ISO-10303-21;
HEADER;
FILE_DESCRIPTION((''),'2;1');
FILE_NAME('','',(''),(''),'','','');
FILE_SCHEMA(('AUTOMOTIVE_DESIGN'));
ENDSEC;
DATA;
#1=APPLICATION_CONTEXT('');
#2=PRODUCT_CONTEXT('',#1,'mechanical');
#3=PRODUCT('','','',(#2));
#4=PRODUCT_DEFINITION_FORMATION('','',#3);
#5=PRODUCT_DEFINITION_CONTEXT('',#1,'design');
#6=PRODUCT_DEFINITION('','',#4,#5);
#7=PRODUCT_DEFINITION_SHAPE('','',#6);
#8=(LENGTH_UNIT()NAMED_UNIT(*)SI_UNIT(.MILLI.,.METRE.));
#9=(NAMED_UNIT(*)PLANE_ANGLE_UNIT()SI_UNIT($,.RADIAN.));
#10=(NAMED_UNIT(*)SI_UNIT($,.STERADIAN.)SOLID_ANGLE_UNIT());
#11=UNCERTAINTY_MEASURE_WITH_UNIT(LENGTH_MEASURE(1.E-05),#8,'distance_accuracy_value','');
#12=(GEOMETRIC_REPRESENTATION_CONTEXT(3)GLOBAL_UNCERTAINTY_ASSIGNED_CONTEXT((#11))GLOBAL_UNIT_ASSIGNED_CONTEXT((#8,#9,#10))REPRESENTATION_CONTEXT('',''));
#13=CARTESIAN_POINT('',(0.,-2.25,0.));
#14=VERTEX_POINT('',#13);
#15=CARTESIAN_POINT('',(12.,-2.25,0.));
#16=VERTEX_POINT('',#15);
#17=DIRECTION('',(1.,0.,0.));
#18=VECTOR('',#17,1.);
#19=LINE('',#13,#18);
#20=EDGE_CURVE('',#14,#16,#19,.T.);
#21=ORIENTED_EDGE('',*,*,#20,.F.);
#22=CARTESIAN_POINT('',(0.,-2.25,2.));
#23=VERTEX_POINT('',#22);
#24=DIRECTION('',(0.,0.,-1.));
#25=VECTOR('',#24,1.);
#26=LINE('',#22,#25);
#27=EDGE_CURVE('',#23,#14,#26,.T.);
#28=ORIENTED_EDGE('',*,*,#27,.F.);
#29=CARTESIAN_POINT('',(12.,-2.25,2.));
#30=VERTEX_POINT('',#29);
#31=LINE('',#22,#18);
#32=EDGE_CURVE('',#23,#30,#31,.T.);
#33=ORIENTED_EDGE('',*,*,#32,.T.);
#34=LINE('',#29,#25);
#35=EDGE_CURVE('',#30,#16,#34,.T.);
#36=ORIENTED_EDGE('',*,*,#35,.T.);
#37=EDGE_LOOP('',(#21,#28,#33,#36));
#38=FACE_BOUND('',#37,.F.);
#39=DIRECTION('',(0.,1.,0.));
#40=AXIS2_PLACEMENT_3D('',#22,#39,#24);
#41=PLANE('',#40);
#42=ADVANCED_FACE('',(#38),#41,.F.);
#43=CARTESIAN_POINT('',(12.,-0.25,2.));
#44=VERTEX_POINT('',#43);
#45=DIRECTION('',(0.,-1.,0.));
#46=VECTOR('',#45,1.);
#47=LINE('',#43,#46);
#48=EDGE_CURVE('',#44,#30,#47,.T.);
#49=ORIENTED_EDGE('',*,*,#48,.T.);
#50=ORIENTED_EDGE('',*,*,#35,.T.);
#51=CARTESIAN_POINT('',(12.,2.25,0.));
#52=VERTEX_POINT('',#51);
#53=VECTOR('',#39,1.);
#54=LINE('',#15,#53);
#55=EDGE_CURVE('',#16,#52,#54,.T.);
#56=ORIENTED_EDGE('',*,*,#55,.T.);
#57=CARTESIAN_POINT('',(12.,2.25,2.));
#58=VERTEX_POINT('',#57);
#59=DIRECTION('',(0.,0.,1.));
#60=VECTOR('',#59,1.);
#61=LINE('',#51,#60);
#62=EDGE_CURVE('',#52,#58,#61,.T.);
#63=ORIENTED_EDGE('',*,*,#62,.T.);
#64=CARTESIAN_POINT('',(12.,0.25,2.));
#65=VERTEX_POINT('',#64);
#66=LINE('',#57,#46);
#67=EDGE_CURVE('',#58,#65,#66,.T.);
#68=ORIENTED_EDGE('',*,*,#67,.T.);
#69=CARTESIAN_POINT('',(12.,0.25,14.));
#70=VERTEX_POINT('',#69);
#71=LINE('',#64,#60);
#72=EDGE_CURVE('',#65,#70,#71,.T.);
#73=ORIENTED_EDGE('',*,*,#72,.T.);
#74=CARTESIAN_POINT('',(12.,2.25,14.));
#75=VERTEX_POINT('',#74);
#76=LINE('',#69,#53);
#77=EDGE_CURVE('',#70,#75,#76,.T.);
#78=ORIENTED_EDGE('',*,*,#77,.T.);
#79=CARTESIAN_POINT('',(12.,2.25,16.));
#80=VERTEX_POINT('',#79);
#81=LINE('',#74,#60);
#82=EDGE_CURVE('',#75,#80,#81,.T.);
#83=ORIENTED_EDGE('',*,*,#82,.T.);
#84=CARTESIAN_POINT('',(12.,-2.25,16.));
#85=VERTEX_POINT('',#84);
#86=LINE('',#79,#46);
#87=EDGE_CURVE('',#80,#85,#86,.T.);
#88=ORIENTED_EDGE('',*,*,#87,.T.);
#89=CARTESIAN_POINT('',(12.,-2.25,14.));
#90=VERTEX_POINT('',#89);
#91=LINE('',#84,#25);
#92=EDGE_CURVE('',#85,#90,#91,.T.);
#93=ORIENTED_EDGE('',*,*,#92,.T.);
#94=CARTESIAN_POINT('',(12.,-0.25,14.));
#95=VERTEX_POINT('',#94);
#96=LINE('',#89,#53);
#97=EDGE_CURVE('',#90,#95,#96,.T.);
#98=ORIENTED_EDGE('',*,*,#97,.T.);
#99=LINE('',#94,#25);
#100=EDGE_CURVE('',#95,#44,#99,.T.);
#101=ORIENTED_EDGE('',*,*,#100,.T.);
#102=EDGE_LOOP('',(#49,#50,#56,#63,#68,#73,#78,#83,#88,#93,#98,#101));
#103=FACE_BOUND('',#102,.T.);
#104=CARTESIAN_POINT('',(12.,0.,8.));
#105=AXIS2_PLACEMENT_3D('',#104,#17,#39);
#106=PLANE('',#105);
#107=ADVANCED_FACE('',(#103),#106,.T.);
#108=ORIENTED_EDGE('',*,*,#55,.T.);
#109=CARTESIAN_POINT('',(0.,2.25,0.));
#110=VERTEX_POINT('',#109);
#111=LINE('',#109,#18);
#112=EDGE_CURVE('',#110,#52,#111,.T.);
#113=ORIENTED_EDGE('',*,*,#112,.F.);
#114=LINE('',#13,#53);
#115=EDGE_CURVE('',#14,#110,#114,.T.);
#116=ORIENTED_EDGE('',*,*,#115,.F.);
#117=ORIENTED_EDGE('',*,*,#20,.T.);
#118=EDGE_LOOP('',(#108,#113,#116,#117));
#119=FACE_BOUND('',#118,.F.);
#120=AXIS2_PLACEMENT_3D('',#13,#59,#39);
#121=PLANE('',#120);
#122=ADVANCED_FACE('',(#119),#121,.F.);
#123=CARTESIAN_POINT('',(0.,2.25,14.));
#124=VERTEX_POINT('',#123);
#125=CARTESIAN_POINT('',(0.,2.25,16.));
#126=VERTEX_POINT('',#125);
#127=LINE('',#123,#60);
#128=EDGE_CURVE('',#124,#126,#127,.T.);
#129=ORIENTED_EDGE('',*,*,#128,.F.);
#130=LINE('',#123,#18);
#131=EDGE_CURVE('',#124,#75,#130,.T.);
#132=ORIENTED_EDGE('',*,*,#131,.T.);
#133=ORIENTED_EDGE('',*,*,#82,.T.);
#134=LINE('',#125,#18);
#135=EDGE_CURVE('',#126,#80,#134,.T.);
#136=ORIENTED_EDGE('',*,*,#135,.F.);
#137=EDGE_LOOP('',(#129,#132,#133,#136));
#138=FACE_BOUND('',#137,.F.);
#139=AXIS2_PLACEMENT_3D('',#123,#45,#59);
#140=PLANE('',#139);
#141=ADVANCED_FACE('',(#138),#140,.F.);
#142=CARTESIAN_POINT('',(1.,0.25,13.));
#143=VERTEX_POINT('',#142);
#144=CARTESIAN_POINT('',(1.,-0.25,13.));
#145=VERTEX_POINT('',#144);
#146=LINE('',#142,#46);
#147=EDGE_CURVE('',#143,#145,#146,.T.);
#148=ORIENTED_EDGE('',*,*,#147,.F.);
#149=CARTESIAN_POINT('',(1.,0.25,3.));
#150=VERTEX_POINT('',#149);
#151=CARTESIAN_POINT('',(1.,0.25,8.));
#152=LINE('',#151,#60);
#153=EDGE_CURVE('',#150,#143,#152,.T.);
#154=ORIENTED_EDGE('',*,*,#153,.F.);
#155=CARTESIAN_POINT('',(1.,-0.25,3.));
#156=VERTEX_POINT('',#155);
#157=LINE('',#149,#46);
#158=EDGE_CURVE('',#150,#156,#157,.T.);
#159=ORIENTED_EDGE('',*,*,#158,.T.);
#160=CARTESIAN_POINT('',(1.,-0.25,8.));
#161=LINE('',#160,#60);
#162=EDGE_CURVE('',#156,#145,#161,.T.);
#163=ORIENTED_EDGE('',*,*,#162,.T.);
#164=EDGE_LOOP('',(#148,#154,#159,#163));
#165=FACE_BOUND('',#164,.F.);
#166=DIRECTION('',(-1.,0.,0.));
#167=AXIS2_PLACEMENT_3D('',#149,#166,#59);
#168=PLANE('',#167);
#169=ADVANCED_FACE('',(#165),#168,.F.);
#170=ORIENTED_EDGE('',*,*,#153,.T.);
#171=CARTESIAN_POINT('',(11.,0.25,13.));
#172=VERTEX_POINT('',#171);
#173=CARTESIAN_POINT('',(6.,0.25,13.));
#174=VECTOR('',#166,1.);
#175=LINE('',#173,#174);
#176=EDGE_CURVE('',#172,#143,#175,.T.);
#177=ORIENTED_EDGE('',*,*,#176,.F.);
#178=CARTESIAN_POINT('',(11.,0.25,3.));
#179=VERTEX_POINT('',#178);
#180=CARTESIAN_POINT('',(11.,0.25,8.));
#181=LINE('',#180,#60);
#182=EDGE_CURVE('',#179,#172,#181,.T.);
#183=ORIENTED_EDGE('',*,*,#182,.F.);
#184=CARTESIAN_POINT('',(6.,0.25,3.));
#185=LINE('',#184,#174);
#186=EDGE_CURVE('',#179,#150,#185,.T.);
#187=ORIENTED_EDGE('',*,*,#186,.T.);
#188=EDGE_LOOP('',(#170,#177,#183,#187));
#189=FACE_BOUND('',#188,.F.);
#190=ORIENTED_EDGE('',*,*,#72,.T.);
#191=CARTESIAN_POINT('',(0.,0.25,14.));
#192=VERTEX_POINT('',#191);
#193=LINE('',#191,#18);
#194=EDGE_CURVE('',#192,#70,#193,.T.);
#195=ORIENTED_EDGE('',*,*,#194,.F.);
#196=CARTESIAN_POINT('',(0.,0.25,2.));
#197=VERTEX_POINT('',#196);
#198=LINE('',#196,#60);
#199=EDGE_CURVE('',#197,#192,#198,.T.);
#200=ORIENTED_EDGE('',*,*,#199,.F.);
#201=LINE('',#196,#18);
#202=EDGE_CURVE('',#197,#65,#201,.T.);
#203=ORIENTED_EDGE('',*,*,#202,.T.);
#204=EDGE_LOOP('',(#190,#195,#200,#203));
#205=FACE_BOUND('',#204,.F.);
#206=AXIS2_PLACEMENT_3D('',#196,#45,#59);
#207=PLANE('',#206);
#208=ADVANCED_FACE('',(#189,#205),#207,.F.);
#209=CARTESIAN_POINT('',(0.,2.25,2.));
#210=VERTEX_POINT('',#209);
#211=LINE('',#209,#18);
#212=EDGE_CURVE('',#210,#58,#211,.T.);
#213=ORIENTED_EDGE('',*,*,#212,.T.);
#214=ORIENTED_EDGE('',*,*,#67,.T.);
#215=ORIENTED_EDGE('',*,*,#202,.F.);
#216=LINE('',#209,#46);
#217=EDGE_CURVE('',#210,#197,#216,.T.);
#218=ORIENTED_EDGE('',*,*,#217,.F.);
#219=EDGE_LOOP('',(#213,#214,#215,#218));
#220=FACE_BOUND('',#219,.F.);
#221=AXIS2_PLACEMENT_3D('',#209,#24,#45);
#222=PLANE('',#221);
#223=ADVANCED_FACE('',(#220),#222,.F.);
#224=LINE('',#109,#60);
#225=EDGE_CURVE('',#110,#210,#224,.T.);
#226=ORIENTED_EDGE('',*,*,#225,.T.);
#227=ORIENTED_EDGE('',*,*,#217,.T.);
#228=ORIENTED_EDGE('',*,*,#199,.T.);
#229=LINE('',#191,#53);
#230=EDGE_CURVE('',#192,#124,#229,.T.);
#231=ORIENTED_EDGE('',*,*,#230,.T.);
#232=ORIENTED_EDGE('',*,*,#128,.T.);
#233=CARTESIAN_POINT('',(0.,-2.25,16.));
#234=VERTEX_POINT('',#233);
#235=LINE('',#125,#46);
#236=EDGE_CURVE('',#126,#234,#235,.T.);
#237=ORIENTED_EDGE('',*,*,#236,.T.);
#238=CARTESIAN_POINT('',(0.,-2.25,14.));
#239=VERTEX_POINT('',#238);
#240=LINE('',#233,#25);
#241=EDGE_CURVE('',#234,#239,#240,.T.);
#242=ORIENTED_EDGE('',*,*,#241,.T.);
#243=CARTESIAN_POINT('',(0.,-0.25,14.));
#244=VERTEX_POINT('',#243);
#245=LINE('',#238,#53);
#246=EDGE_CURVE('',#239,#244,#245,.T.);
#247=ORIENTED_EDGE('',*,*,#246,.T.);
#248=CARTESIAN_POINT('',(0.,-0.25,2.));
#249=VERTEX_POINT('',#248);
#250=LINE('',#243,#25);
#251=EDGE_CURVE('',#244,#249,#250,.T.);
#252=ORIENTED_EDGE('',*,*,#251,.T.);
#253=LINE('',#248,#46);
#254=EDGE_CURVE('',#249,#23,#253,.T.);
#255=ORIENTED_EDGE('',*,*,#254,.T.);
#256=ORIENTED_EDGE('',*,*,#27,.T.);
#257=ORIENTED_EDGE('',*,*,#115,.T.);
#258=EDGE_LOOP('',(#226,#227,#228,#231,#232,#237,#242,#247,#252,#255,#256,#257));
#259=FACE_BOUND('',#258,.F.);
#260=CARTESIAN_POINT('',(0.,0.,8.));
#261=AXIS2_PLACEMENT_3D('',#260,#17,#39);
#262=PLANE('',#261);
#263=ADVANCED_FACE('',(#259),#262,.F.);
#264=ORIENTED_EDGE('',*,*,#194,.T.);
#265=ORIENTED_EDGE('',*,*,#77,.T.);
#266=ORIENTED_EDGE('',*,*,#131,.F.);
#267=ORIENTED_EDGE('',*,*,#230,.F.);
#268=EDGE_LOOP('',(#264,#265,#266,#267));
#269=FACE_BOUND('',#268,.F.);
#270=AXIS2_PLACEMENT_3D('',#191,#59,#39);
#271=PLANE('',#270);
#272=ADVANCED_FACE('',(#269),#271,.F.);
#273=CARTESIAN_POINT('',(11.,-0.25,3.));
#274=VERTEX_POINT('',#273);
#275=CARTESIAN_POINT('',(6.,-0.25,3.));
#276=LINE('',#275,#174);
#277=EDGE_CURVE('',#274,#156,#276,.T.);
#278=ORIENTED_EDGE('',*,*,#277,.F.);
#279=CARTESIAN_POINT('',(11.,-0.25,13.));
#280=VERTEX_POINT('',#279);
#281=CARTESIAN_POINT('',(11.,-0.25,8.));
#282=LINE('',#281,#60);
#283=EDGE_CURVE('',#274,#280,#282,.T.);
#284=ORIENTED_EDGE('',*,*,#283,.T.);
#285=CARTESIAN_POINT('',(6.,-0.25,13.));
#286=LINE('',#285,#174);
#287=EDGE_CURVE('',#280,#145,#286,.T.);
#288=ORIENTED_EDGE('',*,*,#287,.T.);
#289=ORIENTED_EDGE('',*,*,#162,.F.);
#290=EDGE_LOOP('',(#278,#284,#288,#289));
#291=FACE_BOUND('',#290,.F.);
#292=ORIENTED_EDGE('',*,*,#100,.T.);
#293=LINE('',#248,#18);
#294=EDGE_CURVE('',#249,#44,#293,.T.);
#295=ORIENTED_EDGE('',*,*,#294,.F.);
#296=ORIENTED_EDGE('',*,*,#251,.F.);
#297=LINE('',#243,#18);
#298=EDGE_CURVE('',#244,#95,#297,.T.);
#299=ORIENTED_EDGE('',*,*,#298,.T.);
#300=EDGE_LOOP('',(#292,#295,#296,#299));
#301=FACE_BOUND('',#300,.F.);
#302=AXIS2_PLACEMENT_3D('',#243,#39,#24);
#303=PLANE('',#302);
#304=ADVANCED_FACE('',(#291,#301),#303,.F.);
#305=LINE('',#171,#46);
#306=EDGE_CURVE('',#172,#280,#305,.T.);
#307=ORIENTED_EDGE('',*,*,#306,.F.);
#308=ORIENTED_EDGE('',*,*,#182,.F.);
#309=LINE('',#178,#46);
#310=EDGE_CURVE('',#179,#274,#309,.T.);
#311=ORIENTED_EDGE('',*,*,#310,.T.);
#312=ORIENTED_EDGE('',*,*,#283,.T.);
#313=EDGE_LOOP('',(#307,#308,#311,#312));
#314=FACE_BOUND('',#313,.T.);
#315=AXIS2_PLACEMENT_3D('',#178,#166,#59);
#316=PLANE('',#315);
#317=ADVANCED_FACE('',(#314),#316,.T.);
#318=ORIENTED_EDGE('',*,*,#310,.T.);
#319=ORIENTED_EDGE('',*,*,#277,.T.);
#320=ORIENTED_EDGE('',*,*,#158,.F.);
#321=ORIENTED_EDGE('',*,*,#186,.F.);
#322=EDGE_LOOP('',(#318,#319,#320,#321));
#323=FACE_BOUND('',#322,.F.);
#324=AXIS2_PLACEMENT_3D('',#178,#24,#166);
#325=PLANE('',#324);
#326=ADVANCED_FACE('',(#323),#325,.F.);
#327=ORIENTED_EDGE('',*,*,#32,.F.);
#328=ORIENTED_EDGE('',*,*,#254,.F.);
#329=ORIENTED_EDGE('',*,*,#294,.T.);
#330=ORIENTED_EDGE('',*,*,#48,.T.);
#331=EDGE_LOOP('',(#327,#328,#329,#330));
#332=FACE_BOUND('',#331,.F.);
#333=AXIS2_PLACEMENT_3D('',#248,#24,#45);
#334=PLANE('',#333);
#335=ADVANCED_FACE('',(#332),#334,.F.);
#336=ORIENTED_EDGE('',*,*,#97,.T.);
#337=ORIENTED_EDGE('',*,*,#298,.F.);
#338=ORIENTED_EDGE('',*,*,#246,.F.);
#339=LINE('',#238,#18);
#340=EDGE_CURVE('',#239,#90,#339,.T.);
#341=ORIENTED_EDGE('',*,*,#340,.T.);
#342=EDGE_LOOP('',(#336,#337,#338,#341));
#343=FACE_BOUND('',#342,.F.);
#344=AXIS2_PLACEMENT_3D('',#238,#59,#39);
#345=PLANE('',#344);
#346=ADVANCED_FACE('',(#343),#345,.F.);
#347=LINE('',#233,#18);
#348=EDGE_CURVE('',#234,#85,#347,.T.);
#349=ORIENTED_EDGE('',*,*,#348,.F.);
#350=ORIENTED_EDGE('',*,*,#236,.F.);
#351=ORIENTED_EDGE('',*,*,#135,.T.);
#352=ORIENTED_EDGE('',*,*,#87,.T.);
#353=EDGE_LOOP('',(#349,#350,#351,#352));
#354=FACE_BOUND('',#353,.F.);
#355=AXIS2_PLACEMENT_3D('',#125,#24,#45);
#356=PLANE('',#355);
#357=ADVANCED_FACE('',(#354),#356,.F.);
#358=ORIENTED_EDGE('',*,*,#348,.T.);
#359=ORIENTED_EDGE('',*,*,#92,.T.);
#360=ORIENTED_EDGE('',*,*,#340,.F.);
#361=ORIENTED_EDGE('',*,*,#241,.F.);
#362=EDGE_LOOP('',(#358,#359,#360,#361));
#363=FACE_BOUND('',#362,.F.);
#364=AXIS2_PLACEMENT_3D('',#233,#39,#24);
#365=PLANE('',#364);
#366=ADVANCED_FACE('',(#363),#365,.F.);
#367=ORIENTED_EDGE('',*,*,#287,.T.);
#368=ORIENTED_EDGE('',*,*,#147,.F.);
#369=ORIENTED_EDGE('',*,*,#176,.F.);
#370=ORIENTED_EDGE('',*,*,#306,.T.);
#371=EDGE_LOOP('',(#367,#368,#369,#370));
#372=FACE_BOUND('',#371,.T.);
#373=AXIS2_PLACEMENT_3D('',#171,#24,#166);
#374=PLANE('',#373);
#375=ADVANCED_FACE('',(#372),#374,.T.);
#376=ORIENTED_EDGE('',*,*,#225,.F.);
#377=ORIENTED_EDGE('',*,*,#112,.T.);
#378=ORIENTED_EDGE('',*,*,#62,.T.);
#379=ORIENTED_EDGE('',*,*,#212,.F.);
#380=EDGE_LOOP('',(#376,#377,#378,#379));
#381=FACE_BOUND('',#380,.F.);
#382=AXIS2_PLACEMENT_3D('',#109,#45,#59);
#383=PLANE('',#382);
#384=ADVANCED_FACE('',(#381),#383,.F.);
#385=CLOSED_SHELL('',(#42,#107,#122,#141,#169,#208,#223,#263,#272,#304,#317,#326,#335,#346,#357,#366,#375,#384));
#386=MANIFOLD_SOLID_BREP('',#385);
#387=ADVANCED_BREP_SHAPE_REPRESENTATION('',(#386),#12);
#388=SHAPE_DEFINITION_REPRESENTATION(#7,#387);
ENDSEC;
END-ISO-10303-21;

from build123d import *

# Parameters (mm, degrees)
F1_DEPTH = 12
F2_W     = 10
F2_H     = 10
F3_DEPTH = 0.5


with BuildPart() as f1:
    # F0 (on Right) → F1 (new body)
    with BuildSketch(Plane.YZ):
        Polygon((2.25, 16), (-2.25, 16), (-2.25, 14), (-0.25, 14), (-0.25, 2), (-2.25, 2), (-2.25, 0), (2.25, 0), (2.25, 2), (0.25, 2), (0.25, 14), (2.25, 14), align=None)
    extrude(amount=F1_DEPTH)

    # F2 (on face) → F3 (cut, through all)
    with BuildSketch(Plane(origin=(0, 0.25, 0), x_dir=(-1, 0, 0), z_dir=(0, 1, 0))):
        with Locations((-6, 8)):
            Rectangle(F2_W, F2_H)
    extrude(amount=-F3_DEPTH, mode=Mode.SUBTRACT)


solid = f1.part
